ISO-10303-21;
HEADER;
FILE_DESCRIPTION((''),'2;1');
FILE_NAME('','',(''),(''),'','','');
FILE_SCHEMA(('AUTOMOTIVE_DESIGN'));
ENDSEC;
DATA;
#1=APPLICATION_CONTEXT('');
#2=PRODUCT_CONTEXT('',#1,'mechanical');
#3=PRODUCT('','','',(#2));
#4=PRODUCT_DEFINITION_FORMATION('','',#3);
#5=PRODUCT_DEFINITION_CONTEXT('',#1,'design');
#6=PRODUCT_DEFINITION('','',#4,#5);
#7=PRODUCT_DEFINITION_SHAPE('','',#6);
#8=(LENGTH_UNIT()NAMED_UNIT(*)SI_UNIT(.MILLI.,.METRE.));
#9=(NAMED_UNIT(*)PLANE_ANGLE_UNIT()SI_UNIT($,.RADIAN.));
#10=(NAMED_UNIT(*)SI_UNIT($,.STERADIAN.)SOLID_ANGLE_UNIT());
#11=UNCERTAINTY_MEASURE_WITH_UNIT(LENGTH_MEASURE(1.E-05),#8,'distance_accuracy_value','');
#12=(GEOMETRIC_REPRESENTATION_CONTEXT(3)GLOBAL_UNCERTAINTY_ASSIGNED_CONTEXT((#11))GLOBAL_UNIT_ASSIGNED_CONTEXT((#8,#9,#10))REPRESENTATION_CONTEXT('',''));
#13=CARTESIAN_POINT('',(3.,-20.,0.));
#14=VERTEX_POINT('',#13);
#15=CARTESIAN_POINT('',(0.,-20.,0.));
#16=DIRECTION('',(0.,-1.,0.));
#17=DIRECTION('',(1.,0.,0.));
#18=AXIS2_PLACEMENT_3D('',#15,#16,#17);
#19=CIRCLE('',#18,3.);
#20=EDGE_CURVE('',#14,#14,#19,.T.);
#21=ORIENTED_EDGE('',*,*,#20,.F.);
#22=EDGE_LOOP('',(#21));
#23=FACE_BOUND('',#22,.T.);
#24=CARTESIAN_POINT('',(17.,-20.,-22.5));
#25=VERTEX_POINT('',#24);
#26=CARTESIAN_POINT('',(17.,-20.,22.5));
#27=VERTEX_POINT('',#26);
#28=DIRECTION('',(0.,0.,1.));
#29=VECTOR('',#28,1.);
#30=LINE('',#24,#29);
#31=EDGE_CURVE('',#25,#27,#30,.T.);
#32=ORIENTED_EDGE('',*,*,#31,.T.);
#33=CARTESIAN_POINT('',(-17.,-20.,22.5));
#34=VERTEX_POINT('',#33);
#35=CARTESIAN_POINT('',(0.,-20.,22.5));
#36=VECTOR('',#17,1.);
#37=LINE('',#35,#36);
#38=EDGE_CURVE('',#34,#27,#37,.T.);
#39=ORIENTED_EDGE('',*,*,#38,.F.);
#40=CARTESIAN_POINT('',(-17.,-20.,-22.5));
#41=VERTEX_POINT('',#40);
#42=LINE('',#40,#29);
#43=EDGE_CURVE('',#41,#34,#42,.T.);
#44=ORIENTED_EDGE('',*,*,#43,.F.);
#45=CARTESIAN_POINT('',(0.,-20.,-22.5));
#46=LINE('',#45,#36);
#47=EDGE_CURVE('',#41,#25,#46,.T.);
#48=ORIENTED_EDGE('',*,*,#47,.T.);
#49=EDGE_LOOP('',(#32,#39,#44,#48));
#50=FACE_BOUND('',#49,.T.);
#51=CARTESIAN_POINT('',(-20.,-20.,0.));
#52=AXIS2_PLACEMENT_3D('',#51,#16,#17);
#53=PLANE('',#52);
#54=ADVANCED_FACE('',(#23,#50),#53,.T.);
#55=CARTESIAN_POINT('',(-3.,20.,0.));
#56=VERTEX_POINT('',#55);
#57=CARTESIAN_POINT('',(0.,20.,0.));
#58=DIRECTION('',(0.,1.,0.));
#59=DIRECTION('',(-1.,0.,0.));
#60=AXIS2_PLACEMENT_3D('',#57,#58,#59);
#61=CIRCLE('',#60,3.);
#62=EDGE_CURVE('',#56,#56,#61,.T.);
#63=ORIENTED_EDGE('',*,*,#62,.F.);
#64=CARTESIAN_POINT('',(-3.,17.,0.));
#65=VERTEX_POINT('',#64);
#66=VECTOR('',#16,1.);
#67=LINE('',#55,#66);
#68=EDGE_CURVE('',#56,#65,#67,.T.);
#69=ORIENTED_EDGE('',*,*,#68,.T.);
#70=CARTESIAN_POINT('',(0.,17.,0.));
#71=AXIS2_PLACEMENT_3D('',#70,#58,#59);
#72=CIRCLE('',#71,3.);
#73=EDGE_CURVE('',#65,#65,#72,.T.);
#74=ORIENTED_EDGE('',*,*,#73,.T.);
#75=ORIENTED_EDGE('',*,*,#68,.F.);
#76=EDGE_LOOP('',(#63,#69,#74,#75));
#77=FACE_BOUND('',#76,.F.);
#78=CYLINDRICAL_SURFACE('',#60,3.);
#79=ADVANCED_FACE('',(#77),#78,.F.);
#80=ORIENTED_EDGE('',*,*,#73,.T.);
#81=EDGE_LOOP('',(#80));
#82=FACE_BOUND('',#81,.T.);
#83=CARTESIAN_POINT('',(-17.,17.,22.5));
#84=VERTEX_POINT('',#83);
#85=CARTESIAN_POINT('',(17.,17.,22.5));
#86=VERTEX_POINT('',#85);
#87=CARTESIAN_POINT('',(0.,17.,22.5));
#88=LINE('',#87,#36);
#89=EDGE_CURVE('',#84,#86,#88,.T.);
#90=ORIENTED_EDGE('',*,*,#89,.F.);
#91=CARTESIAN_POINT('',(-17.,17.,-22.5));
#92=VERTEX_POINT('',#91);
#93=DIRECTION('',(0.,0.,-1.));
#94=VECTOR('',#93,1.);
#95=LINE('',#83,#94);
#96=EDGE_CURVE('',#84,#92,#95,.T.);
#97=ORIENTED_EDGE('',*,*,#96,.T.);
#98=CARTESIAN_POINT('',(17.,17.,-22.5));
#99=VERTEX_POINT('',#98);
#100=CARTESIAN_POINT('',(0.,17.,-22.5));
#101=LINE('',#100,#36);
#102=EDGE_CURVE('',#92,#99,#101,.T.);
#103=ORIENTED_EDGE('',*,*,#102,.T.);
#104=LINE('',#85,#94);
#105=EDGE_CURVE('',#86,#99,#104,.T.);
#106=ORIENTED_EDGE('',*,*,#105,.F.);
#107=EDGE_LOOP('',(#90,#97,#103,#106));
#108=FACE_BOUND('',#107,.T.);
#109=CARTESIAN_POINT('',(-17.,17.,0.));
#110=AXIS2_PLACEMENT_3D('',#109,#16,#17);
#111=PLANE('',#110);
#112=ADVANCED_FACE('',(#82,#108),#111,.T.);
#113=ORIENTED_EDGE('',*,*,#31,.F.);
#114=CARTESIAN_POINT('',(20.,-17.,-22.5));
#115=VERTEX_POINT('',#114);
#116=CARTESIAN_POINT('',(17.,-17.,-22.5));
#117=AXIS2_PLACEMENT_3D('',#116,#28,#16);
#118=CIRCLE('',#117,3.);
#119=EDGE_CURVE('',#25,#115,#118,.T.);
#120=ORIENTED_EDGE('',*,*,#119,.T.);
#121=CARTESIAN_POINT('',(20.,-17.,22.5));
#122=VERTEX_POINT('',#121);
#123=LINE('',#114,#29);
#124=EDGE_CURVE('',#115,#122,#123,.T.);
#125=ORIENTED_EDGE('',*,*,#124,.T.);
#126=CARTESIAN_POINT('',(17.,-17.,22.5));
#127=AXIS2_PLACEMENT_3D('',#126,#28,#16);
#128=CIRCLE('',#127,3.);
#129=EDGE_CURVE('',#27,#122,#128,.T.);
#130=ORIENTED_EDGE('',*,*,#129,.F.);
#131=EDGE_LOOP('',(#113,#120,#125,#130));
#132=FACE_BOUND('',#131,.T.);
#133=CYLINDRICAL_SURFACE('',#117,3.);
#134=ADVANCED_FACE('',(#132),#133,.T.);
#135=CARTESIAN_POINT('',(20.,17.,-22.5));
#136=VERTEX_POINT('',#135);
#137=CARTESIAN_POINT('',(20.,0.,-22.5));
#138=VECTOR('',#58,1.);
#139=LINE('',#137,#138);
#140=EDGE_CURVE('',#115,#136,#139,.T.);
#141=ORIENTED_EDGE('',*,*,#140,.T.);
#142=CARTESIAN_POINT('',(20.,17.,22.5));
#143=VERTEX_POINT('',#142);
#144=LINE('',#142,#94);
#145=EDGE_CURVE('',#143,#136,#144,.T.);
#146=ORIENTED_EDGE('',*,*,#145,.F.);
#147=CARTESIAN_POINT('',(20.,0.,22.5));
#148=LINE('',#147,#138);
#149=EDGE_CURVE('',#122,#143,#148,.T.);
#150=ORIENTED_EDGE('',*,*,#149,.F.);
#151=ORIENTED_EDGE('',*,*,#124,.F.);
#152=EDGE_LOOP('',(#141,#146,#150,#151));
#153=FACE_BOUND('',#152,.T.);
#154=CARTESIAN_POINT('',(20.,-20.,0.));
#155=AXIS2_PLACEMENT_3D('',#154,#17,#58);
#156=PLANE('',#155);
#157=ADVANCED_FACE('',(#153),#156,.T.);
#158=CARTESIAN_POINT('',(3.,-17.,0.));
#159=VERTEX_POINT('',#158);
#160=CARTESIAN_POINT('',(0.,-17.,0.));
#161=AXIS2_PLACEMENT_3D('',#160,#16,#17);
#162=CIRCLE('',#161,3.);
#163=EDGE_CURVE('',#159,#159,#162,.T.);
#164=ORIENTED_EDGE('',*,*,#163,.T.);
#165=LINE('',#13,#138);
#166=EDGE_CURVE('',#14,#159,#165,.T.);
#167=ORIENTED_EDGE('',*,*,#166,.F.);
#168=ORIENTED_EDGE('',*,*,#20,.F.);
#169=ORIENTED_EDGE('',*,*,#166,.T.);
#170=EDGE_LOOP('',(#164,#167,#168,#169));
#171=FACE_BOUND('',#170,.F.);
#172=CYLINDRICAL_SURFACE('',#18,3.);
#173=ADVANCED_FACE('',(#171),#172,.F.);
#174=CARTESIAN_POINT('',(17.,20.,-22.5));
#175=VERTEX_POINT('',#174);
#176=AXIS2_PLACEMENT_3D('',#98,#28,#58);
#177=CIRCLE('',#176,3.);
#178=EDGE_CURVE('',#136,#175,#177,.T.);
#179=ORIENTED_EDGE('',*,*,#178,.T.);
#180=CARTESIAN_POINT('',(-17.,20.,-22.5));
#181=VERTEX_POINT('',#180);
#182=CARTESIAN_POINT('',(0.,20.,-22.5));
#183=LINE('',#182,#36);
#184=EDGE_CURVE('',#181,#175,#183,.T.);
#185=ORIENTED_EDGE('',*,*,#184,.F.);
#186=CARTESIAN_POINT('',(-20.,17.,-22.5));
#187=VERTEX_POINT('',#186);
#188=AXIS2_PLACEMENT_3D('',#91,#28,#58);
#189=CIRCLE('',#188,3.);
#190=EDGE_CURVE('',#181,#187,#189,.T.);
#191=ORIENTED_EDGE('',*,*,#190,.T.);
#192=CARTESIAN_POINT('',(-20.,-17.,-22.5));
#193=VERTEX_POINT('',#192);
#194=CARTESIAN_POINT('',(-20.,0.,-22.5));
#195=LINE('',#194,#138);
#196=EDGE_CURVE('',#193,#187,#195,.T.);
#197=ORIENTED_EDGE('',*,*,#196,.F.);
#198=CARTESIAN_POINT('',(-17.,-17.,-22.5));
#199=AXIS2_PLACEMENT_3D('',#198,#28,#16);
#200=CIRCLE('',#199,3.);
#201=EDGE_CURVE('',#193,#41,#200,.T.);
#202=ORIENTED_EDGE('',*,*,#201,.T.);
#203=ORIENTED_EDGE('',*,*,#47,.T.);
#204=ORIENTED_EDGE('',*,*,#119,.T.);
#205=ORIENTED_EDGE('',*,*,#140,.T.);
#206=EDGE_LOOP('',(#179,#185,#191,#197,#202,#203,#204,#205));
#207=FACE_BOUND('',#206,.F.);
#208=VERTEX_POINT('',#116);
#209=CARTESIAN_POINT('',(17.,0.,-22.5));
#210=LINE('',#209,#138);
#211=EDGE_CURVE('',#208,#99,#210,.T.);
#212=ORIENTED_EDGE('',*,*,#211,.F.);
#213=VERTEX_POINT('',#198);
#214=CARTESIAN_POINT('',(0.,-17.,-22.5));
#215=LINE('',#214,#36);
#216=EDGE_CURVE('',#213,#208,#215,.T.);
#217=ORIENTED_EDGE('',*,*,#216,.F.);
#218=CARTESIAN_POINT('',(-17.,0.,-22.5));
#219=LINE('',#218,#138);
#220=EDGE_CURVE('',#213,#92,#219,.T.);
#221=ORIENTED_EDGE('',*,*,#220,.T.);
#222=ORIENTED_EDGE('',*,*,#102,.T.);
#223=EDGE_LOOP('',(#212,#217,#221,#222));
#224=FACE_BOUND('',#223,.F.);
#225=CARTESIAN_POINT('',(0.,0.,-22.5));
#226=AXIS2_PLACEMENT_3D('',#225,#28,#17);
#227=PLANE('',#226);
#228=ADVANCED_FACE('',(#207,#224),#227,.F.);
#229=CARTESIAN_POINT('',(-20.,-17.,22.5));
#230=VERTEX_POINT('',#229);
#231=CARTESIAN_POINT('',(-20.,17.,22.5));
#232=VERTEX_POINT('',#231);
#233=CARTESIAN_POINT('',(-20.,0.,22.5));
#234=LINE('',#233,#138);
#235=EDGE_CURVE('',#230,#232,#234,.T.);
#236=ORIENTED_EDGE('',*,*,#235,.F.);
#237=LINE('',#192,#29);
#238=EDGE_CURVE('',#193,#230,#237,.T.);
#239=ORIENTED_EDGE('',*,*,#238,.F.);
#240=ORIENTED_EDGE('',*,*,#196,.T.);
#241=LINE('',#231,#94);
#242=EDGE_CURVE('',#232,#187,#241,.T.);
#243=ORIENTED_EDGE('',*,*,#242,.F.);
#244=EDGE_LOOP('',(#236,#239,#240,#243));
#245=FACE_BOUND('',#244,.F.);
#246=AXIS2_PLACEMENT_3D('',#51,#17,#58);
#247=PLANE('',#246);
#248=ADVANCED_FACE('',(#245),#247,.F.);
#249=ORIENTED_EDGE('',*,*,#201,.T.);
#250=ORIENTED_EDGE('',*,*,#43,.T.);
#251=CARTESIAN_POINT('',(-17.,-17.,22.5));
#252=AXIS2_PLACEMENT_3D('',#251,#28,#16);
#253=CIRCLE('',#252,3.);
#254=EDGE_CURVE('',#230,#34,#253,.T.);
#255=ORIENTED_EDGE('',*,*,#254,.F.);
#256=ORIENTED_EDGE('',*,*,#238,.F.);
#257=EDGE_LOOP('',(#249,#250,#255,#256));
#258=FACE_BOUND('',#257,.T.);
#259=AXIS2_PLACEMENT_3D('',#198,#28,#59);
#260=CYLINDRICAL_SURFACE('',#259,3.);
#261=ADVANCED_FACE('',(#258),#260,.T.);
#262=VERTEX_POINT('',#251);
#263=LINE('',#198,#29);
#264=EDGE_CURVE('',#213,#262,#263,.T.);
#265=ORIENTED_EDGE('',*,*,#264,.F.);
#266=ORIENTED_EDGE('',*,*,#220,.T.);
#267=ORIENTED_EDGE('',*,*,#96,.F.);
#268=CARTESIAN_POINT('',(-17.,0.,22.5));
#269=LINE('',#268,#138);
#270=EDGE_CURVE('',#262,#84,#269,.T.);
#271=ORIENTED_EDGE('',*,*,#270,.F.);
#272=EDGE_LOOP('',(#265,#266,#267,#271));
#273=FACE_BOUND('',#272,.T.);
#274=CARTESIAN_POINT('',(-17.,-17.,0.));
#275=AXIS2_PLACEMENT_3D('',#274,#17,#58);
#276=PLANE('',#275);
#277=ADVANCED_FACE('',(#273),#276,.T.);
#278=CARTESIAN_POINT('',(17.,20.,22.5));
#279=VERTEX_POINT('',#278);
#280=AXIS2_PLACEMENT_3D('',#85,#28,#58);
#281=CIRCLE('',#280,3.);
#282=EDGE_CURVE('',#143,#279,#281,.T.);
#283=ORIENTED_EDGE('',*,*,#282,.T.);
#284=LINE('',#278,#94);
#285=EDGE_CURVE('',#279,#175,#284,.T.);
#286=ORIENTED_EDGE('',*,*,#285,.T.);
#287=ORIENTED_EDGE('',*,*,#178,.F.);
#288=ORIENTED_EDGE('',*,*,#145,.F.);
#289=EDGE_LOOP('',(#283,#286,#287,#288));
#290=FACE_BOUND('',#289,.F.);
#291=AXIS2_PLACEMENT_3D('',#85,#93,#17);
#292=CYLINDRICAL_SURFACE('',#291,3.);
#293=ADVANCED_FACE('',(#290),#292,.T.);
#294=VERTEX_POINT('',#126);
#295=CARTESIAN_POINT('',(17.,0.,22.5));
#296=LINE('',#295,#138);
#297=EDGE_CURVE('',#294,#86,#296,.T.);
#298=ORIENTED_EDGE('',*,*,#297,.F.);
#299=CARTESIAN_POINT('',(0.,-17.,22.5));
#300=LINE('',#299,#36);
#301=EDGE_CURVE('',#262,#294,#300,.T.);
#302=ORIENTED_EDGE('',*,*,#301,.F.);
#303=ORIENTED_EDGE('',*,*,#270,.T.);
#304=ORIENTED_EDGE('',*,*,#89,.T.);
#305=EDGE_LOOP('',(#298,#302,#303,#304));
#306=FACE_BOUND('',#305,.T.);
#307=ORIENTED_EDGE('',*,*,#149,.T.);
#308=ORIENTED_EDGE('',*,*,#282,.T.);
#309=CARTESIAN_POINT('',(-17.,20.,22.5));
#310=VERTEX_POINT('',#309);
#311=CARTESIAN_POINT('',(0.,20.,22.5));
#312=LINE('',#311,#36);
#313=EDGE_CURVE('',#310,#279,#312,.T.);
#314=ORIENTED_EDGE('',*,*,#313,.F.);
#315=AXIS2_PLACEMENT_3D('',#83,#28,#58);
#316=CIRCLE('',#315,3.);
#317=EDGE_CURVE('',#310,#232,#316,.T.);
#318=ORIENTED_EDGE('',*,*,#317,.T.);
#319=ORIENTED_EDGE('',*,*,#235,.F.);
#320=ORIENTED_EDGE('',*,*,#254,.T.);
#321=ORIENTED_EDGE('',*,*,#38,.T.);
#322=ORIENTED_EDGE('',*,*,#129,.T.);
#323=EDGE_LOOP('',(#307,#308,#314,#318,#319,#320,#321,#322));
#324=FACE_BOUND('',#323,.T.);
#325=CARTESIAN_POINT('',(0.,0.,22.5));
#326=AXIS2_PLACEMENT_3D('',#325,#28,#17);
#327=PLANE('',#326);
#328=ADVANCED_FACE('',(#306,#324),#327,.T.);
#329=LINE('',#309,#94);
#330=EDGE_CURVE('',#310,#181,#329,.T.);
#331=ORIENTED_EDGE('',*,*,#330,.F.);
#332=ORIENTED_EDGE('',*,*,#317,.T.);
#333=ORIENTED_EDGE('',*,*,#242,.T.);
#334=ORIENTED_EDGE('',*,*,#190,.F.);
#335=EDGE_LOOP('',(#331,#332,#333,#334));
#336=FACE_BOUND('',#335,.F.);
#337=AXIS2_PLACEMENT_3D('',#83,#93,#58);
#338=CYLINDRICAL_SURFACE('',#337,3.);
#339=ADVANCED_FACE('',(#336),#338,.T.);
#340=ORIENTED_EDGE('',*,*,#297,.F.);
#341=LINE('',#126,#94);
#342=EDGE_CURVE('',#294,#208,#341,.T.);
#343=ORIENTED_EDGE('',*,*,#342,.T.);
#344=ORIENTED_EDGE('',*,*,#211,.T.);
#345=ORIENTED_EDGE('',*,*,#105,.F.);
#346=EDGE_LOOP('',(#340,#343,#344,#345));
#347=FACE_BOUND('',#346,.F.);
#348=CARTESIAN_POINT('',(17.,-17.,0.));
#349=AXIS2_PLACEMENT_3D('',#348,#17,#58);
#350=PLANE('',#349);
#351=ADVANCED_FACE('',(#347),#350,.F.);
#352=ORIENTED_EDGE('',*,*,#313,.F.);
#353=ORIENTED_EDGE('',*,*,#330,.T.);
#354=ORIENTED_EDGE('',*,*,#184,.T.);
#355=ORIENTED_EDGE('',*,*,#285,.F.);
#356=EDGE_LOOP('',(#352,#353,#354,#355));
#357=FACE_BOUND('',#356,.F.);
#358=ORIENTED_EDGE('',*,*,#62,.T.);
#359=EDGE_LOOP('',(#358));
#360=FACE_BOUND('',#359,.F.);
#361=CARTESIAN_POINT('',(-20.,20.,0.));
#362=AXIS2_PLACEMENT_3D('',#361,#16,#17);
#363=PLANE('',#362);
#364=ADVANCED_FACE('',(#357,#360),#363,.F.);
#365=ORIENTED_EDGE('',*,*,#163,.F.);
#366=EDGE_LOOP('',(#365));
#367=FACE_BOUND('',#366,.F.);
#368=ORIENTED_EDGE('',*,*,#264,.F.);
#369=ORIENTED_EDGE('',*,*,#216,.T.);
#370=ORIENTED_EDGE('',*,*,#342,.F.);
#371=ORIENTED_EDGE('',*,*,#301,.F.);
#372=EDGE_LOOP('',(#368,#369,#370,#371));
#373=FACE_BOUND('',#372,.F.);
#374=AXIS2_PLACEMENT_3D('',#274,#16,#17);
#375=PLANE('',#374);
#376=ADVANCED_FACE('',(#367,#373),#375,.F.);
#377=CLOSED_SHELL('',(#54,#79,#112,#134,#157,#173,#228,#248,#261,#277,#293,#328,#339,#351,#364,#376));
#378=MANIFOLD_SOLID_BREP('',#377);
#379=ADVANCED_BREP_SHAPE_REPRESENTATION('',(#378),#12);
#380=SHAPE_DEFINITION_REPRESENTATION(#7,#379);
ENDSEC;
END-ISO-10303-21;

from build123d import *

# Parameters (mm, degrees)
SKETCH_W       = 40
SKETCH_H       = 40
SKETCH_W_2     = 34
SKETCH_H_2     = 34
PAD_DEPTH      = 22.5
FILLET_R       = 3
FILLET001_R    = 3
FILLET002_R    = 3
FILLET003_R    = 3
SKETCH001_R    = 3
HOLE_DEPTH     = 23.197418
HOLE_TIPS_R    = 3
SKETCH002_R    = 3
HOLE001_DEPTH  = 23.197418
HOLE001_TIPS_R = 3


with BuildPart() as part:
    # Sketch → Pad (new body, symmetric)
    with BuildSketch(Plane.XY):
        Rectangle(SKETCH_W, SKETCH_H)
        Rectangle(SKETCH_W_2, SKETCH_H_2, mode=Mode.SUBTRACT)
    extrude(amount=PAD_DEPTH, both=True)

    # Fillet
    fillet_edges = [part.edges().sort_by_distance(p)[0] for p in [
        (-20, -20, 0),
    ]]
    fillet(fillet_edges, radius=FILLET_R)

    # Fillet001
    fillet001_edges = [part.edges().sort_by_distance(p)[0] for p in [
        (20, -20, 0),
    ]]
    fillet(fillet001_edges, radius=FILLET001_R)

    # Fillet002
    fillet002_edges = [part.edges().sort_by_distance(p)[0] for p in [
        (20, 20, 0),
    ]]
    fillet(fillet002_edges, radius=FILLET002_R)

    # Fillet003
    fillet003_edges = [part.edges().sort_by_distance(p)[0] for p in [
        (-20, 20, 0),
    ]]
    fillet(fillet003_edges, radius=FILLET003_R)

    # Sketch001 (on Face2 of Fillet003) → Hole (cut)
    with BuildSketch(Plane(origin=(0, 20, 0), x_dir=(-1, 0, 0), z_dir=(0, 1, 0))):
        Circle(SKETCH001_R)
    extrude(amount=-HOLE_DEPTH, mode=Mode.SUBTRACT)

    # Hole tips → Hole tip 1 section 0
    with BuildSketch(Plane(origin=(0, -3.197418, 0), x_dir=(-1, 0, 0), z_dir=(0, 1, 0)), mode=Mode.PRIVATE) as hole_tip_1_s0:
        Circle(HOLE_TIPS_R)
    loft([hole_tip_1_s0.sketch, Vertex(0, -5, 0)], mode=Mode.SUBTRACT)

    # Sketch002 (on Face9 of Hole) → Hole001 (cut)
    with BuildSketch(Plane.XZ.offset(20)):
        Circle(SKETCH002_R)
    extrude(amount=-HOLE001_DEPTH, mode=Mode.SUBTRACT)

    # Hole001 tips → Hole001 tip 1 section 0
    with BuildSketch(Plane.XZ.offset(-3.197418), mode=Mode.PRIVATE) as hole001_tip_1_s0:
        Circle(HOLE001_TIPS_R)
    loft([hole001_tip_1_s0.sketch, Vertex(0, 5, 0)], mode=Mode.SUBTRACT)


solid = part.part
